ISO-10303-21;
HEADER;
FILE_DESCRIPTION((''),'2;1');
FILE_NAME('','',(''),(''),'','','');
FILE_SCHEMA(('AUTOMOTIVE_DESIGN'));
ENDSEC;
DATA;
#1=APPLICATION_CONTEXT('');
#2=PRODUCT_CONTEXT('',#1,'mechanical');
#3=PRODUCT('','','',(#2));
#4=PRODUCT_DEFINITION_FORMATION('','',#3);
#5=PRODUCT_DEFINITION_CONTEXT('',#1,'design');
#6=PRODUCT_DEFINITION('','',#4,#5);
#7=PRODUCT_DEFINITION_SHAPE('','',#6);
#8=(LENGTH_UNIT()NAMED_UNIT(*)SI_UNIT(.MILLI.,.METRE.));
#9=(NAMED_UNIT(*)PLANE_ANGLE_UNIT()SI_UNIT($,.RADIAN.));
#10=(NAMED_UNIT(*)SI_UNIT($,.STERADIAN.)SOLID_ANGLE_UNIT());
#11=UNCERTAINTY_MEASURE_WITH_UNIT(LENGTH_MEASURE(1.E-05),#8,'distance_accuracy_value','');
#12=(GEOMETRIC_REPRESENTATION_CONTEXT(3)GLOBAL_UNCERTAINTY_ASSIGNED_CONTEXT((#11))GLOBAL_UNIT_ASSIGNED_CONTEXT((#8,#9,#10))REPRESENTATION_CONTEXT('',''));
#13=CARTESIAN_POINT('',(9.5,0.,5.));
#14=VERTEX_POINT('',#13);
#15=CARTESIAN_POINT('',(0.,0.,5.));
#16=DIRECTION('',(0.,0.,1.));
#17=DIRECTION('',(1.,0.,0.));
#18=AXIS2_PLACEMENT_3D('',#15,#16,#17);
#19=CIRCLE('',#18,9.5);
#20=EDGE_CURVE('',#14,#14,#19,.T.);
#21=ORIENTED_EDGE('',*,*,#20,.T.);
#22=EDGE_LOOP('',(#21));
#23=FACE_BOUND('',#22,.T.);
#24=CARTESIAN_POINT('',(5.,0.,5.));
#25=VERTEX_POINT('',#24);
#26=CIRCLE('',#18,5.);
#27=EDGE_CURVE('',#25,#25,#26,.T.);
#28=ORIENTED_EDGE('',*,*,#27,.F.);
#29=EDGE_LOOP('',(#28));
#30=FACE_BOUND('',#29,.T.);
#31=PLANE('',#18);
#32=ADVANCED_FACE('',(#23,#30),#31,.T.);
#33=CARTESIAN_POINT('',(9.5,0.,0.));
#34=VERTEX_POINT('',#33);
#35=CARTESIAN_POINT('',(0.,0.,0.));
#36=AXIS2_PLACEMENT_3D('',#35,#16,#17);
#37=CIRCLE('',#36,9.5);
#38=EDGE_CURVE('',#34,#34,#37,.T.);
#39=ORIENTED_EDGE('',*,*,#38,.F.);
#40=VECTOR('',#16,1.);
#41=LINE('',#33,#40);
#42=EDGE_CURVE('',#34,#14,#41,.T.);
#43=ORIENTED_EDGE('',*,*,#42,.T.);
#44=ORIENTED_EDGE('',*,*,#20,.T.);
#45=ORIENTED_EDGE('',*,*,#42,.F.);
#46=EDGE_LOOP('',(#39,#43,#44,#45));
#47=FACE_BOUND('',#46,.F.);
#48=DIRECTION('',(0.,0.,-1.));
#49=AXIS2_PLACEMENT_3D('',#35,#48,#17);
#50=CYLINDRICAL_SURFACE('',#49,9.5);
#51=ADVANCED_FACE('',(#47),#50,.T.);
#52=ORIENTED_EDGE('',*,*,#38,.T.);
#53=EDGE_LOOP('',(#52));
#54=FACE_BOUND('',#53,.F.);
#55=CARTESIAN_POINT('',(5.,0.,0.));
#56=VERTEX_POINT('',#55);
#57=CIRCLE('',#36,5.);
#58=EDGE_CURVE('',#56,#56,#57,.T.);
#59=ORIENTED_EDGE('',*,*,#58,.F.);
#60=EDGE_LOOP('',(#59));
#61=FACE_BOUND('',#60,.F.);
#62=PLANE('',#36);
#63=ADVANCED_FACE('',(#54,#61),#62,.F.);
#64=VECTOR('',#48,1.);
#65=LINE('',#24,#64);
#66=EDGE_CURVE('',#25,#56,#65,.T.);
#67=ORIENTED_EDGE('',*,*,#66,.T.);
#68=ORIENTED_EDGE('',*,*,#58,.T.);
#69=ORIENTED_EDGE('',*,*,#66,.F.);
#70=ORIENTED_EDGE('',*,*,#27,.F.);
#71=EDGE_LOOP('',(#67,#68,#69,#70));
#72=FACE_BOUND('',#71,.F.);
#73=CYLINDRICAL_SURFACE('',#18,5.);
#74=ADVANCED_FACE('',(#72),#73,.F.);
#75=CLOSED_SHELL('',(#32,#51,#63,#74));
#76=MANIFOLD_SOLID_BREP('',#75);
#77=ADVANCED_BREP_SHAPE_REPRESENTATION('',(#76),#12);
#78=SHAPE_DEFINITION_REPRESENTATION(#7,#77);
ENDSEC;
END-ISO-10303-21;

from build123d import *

# Parameters (mm, degrees)
CROQUIS1_R              = 9.5
SALIENTE_EXTRUIR1_DEPTH = 5
CROQUIS2_R              = 5
CORTAR_EXTRUIR1_DEPTH   = 6.35


with BuildPart() as part:
    # Croquis1 → Saliente-Extruir1 (new body)
    with BuildSketch(Plane.XY):
        Circle(CROQUIS1_R)
    extrude(amount=SALIENTE_EXTRUIR1_DEPTH)

    # Croquis2 → Cortar-Extruir1 (cut)
    with BuildSketch(Plane.XY.offset(5)):
        Circle(CROQUIS2_R)
    extrude(amount=-CORTAR_EXTRUIR1_DEPTH, mode=Mode.SUBTRACT)


solid = part.part
